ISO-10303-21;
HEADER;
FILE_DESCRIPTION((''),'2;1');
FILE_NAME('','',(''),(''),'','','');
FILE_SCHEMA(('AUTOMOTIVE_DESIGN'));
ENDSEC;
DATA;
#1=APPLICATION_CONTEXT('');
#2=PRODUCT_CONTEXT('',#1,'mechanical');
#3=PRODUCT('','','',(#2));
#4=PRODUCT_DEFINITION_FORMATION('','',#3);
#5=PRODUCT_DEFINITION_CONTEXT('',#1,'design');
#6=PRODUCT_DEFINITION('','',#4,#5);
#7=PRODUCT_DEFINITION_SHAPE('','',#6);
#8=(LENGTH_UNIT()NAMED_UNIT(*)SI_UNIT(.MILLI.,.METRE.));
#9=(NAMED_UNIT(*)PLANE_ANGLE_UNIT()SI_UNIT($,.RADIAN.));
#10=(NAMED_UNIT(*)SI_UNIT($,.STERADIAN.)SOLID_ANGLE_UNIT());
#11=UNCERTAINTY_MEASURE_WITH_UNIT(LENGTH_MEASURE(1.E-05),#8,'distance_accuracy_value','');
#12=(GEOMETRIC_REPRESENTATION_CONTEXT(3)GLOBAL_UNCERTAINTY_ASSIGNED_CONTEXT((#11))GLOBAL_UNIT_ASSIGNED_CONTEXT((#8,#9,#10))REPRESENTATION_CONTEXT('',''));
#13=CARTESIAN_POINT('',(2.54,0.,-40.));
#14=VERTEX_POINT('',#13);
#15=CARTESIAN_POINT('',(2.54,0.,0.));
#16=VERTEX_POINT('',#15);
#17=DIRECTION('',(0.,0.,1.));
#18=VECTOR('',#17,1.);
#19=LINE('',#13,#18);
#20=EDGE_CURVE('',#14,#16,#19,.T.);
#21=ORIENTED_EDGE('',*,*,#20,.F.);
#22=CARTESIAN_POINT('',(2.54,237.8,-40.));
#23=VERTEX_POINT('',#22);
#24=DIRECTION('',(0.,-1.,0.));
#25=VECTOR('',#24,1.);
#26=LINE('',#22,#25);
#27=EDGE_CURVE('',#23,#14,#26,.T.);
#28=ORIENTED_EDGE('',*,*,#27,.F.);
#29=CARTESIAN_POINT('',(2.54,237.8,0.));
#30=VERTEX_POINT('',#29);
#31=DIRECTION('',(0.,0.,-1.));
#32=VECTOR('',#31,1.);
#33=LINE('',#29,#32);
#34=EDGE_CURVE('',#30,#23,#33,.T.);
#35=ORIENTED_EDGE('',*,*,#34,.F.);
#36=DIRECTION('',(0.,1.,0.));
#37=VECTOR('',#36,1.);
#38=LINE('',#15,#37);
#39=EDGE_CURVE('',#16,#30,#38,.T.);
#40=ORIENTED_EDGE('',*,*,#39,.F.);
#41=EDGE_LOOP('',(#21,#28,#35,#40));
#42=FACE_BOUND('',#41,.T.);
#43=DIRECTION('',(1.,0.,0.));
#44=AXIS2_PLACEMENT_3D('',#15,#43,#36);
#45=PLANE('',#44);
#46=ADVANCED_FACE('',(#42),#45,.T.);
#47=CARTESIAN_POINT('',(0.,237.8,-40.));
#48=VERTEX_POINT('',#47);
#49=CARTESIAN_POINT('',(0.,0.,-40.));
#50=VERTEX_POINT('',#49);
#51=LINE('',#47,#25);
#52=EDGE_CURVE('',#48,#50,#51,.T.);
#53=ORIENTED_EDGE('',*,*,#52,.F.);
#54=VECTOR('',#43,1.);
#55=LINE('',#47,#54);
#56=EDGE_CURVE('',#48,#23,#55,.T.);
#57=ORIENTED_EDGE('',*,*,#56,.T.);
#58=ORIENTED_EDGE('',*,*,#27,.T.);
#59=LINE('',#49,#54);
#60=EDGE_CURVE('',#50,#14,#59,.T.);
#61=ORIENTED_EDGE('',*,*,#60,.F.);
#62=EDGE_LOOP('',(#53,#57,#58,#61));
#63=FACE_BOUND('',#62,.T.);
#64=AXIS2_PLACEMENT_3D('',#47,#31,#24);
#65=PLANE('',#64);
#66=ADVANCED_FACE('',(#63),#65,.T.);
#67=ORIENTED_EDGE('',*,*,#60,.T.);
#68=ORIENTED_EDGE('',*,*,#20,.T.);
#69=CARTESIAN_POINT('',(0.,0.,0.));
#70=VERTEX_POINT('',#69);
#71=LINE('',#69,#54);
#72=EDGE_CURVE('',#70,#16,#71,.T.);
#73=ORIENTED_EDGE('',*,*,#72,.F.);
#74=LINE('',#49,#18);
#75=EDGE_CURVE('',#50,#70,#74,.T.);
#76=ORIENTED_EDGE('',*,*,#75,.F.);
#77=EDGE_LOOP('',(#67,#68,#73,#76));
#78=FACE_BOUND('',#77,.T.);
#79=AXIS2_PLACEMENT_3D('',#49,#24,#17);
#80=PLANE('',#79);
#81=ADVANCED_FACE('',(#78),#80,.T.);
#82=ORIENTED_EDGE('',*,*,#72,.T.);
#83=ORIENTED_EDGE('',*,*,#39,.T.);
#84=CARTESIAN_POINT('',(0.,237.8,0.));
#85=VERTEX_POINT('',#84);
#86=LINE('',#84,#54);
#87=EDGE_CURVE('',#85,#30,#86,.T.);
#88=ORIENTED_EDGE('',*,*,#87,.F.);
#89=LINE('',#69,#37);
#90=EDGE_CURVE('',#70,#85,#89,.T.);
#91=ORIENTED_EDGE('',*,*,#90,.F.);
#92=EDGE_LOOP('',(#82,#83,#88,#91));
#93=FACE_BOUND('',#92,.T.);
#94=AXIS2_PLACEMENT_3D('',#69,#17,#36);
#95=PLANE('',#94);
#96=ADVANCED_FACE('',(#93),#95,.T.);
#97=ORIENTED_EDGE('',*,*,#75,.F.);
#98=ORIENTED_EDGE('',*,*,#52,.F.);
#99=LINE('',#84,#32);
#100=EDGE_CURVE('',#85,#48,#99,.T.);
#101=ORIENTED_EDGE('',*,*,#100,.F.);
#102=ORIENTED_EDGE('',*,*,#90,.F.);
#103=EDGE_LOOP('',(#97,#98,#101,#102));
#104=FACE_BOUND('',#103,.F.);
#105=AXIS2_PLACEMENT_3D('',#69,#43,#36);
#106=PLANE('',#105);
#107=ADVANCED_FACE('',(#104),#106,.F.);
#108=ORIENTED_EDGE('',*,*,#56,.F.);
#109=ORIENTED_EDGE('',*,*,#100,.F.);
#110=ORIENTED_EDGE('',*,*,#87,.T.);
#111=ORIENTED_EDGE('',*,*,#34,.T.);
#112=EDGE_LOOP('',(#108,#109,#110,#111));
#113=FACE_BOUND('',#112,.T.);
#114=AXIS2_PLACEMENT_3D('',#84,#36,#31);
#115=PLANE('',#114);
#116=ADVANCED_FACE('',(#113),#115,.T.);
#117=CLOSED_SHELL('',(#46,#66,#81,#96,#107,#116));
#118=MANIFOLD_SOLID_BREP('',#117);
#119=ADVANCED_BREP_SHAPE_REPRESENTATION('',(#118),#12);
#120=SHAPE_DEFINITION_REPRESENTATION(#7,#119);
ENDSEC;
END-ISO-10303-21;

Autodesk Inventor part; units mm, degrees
ref_plane "YZ Plane" through (0, 0, 0) normal (1, 0, 0) x (0, 1, 0)
ref_plane "XZ Plane" through (0, 0, 0) normal (0, 1, 0) x (-1, 0, 0)
ref_plane "XY Plane" through (0, 0, 0) normal (0, 0, 1) x (1, 0, 0)
sketch "Sketch1" plane through (0, 0, 0) normal (1, 0, 0) x (0, 1, 0)
  line L0 (0, 0) -> (237.8, 0)
  line L1 (237.8, 0) -> (237.8, -40)
  line L2 (237.8, -40) -> (0, -40)
  line L3 (0, -40) -> (0, 0)
  dimension "d0" = 237.8
  dimension "d1" = 40
extrude "Extrusion1" add sketch "Sketch1" along normal blind 2.54
properties part number "Rail_Spacer_Plate"
